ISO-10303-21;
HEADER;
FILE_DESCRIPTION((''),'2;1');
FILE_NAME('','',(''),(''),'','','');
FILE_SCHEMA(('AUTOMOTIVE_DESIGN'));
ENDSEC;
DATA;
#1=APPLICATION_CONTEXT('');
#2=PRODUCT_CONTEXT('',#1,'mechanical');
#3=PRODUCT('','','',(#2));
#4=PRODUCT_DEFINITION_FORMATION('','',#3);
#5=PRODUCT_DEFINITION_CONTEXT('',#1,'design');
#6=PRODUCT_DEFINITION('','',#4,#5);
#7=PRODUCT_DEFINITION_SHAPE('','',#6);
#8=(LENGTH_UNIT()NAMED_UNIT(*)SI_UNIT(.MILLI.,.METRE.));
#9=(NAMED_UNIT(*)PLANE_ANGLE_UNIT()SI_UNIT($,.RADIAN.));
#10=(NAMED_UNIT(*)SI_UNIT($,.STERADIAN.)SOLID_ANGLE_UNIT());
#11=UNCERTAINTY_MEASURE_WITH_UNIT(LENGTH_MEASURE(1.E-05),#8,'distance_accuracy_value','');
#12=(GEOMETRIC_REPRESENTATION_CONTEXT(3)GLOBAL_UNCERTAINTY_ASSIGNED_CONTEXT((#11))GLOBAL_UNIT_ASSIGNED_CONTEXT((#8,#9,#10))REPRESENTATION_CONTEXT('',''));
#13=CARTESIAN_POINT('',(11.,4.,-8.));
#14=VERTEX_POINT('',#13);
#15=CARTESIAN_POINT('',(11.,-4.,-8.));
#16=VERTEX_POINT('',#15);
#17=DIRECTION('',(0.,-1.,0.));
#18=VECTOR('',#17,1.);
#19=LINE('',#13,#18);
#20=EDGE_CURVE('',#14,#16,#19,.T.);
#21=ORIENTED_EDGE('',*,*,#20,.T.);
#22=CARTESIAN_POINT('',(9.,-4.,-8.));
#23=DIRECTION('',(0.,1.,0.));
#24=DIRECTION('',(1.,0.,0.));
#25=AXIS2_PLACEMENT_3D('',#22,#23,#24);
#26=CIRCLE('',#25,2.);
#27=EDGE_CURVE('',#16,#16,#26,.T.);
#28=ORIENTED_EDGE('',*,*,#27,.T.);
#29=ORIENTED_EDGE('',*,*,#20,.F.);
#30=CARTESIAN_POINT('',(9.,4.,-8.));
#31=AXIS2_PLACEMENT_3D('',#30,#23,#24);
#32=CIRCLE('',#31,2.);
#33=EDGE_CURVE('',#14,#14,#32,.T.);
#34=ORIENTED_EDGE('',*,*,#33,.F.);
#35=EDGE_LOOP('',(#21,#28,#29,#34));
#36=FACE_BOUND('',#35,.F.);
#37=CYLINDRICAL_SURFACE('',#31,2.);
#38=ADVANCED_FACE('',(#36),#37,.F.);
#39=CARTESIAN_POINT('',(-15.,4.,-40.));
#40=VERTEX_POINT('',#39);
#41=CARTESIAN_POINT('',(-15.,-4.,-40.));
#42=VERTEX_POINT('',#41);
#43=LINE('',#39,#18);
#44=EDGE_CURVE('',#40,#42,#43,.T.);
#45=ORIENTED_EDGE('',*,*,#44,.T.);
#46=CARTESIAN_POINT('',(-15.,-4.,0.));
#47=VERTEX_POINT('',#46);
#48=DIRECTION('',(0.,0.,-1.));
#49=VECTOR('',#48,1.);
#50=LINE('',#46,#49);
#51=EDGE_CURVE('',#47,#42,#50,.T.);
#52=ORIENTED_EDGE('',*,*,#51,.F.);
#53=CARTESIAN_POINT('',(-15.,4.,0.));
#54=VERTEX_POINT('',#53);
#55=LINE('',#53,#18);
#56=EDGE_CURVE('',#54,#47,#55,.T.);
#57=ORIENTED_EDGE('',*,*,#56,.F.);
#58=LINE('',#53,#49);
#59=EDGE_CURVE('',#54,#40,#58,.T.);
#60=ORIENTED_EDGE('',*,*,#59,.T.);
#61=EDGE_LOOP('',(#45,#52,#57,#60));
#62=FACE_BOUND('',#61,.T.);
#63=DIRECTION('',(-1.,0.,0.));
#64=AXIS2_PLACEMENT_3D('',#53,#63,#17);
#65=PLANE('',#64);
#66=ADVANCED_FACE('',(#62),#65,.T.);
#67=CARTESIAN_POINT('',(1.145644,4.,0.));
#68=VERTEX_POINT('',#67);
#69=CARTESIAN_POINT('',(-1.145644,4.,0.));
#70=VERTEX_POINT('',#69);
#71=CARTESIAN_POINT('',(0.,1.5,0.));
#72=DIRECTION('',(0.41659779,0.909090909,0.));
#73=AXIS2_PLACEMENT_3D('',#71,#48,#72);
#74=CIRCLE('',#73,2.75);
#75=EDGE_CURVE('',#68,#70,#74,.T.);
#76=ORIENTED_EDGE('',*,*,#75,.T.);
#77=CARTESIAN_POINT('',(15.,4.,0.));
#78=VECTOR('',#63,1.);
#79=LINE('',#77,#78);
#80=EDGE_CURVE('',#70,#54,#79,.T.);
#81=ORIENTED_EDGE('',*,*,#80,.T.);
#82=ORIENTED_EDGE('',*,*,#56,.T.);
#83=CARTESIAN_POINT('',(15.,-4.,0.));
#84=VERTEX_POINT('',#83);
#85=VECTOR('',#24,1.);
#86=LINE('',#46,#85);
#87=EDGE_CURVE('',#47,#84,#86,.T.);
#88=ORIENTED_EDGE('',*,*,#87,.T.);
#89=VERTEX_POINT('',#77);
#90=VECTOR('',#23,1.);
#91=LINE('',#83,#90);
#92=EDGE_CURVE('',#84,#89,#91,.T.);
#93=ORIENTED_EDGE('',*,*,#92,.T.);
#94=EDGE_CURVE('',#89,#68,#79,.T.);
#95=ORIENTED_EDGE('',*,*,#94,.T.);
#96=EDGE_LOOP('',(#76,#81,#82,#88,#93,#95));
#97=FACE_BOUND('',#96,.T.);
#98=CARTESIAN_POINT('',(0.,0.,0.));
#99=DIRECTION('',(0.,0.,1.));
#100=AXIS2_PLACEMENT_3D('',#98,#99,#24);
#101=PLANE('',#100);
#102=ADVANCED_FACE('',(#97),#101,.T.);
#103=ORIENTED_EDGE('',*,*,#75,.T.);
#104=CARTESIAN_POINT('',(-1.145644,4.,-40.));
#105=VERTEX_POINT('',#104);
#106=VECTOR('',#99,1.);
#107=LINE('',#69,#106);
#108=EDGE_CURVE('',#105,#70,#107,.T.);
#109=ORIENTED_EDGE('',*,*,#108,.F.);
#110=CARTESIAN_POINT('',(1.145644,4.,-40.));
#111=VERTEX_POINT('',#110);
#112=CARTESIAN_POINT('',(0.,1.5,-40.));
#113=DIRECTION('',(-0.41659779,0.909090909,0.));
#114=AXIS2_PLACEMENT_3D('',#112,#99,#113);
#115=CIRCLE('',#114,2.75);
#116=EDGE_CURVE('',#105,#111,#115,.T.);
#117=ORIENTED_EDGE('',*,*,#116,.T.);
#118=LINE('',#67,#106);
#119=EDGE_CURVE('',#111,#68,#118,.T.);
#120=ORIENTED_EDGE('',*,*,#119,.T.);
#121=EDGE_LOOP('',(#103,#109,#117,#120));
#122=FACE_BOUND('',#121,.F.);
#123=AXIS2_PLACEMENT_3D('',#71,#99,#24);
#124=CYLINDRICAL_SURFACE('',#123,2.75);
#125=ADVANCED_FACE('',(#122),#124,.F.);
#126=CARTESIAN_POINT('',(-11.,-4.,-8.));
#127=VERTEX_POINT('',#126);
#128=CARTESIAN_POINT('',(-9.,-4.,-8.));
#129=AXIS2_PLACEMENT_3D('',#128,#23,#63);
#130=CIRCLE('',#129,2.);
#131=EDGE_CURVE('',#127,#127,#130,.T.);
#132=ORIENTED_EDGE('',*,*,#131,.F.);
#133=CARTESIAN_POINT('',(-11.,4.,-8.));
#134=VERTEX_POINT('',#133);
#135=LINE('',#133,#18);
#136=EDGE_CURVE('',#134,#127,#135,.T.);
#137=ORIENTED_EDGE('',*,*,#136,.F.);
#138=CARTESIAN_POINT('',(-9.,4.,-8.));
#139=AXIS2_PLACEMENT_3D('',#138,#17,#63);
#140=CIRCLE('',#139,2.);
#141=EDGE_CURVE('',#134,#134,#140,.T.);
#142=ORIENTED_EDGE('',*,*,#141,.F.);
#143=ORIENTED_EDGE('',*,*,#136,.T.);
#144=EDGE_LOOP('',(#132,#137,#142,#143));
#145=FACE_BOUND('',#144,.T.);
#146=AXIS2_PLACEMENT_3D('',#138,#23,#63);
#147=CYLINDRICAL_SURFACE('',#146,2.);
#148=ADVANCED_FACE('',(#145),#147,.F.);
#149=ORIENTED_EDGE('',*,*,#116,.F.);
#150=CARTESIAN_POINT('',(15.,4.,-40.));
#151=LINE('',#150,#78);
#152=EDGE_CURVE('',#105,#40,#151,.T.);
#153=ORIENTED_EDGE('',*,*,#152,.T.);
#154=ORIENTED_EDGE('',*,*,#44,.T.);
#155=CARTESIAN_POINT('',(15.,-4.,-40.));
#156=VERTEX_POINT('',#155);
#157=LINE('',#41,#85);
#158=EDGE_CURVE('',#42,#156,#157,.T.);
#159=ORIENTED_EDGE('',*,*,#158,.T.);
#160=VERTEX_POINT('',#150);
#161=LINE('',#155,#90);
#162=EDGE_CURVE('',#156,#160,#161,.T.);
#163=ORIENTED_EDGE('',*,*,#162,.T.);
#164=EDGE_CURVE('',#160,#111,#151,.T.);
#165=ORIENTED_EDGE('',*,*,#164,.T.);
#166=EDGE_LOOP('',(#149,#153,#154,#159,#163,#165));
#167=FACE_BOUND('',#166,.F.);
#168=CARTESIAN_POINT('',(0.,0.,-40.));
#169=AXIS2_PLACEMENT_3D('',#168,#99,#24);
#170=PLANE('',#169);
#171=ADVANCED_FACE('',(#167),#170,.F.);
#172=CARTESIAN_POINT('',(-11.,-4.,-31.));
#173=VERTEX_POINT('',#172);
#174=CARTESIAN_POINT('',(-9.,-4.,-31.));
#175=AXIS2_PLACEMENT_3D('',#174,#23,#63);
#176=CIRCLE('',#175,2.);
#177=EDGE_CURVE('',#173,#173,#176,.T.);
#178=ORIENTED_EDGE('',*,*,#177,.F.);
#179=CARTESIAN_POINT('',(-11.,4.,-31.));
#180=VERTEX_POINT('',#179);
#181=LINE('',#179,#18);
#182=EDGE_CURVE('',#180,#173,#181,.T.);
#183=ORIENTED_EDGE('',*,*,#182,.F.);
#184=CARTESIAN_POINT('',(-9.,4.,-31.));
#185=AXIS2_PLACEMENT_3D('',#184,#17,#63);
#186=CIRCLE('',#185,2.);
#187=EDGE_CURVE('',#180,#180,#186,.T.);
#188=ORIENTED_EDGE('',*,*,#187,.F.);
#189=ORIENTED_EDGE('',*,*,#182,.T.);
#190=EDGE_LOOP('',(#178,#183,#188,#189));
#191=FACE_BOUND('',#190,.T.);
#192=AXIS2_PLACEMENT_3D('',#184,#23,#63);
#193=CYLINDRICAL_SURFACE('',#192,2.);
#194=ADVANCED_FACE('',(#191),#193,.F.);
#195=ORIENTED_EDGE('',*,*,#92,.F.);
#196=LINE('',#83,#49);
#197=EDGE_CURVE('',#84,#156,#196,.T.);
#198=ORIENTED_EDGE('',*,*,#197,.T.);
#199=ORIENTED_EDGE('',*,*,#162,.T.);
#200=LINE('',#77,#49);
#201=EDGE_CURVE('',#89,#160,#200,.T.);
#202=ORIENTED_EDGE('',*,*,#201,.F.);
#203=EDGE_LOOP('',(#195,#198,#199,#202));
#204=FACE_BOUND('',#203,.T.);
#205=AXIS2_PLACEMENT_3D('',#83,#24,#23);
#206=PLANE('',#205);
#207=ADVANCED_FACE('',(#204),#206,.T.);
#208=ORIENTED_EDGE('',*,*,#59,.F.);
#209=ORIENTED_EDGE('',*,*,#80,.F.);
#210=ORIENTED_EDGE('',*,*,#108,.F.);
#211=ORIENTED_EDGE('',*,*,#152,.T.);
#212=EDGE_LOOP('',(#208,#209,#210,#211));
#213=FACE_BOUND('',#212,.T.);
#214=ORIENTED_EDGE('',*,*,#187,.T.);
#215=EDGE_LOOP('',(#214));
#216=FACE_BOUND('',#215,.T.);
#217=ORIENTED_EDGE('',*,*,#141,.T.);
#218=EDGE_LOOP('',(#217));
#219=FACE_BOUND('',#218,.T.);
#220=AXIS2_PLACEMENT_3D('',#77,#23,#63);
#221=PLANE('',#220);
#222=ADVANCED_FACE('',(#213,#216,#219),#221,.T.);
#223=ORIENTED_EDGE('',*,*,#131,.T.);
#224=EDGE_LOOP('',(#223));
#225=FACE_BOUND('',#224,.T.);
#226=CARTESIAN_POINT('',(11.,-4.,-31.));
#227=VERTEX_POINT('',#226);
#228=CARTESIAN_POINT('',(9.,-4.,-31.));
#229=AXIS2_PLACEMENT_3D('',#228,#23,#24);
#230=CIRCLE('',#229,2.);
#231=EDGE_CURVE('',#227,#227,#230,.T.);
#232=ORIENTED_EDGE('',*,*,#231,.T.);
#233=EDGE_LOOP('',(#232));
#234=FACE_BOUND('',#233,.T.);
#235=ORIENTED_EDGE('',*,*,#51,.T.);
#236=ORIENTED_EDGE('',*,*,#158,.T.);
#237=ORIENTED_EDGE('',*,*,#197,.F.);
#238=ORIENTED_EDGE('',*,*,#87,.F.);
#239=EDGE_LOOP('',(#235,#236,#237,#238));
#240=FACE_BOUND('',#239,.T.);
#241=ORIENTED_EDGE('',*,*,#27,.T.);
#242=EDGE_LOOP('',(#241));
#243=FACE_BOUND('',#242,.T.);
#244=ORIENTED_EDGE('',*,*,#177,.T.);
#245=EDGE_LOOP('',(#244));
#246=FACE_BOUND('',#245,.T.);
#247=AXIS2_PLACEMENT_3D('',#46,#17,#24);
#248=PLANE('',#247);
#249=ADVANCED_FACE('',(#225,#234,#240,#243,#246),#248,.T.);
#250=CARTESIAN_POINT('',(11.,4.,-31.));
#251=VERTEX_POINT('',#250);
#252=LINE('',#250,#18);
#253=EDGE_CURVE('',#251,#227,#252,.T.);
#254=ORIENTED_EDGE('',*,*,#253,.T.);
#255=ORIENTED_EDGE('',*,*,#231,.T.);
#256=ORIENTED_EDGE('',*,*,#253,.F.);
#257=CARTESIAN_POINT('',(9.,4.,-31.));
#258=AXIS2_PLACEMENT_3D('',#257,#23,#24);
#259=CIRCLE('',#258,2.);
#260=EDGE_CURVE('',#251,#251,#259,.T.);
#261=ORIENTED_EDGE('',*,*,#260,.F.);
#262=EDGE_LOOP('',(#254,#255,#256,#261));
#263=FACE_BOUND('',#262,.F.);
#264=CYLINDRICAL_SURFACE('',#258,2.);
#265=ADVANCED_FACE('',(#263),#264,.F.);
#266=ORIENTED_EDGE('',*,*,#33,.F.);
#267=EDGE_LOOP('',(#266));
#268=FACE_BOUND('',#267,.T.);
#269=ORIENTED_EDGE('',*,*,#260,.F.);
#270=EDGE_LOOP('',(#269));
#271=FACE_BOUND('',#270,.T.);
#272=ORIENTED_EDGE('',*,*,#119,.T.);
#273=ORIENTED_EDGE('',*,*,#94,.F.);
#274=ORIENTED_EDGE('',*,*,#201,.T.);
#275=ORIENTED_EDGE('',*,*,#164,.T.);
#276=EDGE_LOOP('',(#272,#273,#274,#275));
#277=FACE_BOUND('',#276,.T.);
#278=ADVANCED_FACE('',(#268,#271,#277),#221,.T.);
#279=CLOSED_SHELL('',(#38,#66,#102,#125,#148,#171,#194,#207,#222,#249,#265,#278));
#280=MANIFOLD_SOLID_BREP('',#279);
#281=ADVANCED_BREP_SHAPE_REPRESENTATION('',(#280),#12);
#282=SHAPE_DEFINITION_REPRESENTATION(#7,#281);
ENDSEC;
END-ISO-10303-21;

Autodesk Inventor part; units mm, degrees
ref_plane "YZ Plane" through (0, 0, 0) normal (1, 0, 0) x (0, 1, 0)
ref_plane "XZ Plane" through (0, 0, 0) normal (0, 1, 0) x (-1, 0, 0)
sketch "Sketch1" plane through (0, 0, 0) normal (0, 0, 1) x (1, 0, 0)
  line L0 (-15, -4) -> (15, -4)
  line L1 (15, -4) -> (15, 4)
  line L2 (15, 4) -> (-15, 4)
  line L3 (-15, 4) -> (-15, -4)
  line L4 (-15, -4) -> (15, 4) construction
  line L5 (15, -4) -> (-15, 4) construction
  point P0 (0, 0)
  dimension "d2" = 30
  dimension "d3" = 8
extrude "Extrusion1" add sketch "Sketch1" against normal blind 40
sketch "Sketch2" plane through (0, 0, 0) normal (0, 0, 1) x (1, 0, 0)
  circle A0 centre (0, 1.5) radius 2.75
  line L0 (-15, -4) -> (15, -4) projected
  point P0 (0, 0)
  point P1 (-9, -4)
  point P2 (9, -4)
  dimension "d7" = 5.5
  dimension "d8" = 5.5
extrude "Extrusion2" cut sketch "Sketch2" against normal blind 40
sketch "Sketch3" plane through (15, 4, 0) normal (0, 1, 0) x (1, 0, 0)
  circle A0 centre (-6, 8) radius 2
  line L0 (0, 0) -> (0, 40) projected
  line L1 (0, 0) -> (-13.8544, 0) projected
  point P0 (-15, 0)
  dimension "d11" = 4
  dimension "d12" = 6
  dimension "d13" = 8
extrude "Extrusion3" cut sketch "Sketch3" against normal blind 40
pattern_linear "Rectangular Pattern1" count 2 spacing 23 along (0, 0, -1) of "Extrusion3"
ref_plane "Work Plane1" through (0, -4, 0) normal (1, 0, 0) x (0, 0, -1)
mirror "Mirror1" about plane through (0, -4, 0) normal (1, 0, 0) of "Extrusion3", "Rectangular Pattern1"
properties part number "Differential_drive_wheel"
